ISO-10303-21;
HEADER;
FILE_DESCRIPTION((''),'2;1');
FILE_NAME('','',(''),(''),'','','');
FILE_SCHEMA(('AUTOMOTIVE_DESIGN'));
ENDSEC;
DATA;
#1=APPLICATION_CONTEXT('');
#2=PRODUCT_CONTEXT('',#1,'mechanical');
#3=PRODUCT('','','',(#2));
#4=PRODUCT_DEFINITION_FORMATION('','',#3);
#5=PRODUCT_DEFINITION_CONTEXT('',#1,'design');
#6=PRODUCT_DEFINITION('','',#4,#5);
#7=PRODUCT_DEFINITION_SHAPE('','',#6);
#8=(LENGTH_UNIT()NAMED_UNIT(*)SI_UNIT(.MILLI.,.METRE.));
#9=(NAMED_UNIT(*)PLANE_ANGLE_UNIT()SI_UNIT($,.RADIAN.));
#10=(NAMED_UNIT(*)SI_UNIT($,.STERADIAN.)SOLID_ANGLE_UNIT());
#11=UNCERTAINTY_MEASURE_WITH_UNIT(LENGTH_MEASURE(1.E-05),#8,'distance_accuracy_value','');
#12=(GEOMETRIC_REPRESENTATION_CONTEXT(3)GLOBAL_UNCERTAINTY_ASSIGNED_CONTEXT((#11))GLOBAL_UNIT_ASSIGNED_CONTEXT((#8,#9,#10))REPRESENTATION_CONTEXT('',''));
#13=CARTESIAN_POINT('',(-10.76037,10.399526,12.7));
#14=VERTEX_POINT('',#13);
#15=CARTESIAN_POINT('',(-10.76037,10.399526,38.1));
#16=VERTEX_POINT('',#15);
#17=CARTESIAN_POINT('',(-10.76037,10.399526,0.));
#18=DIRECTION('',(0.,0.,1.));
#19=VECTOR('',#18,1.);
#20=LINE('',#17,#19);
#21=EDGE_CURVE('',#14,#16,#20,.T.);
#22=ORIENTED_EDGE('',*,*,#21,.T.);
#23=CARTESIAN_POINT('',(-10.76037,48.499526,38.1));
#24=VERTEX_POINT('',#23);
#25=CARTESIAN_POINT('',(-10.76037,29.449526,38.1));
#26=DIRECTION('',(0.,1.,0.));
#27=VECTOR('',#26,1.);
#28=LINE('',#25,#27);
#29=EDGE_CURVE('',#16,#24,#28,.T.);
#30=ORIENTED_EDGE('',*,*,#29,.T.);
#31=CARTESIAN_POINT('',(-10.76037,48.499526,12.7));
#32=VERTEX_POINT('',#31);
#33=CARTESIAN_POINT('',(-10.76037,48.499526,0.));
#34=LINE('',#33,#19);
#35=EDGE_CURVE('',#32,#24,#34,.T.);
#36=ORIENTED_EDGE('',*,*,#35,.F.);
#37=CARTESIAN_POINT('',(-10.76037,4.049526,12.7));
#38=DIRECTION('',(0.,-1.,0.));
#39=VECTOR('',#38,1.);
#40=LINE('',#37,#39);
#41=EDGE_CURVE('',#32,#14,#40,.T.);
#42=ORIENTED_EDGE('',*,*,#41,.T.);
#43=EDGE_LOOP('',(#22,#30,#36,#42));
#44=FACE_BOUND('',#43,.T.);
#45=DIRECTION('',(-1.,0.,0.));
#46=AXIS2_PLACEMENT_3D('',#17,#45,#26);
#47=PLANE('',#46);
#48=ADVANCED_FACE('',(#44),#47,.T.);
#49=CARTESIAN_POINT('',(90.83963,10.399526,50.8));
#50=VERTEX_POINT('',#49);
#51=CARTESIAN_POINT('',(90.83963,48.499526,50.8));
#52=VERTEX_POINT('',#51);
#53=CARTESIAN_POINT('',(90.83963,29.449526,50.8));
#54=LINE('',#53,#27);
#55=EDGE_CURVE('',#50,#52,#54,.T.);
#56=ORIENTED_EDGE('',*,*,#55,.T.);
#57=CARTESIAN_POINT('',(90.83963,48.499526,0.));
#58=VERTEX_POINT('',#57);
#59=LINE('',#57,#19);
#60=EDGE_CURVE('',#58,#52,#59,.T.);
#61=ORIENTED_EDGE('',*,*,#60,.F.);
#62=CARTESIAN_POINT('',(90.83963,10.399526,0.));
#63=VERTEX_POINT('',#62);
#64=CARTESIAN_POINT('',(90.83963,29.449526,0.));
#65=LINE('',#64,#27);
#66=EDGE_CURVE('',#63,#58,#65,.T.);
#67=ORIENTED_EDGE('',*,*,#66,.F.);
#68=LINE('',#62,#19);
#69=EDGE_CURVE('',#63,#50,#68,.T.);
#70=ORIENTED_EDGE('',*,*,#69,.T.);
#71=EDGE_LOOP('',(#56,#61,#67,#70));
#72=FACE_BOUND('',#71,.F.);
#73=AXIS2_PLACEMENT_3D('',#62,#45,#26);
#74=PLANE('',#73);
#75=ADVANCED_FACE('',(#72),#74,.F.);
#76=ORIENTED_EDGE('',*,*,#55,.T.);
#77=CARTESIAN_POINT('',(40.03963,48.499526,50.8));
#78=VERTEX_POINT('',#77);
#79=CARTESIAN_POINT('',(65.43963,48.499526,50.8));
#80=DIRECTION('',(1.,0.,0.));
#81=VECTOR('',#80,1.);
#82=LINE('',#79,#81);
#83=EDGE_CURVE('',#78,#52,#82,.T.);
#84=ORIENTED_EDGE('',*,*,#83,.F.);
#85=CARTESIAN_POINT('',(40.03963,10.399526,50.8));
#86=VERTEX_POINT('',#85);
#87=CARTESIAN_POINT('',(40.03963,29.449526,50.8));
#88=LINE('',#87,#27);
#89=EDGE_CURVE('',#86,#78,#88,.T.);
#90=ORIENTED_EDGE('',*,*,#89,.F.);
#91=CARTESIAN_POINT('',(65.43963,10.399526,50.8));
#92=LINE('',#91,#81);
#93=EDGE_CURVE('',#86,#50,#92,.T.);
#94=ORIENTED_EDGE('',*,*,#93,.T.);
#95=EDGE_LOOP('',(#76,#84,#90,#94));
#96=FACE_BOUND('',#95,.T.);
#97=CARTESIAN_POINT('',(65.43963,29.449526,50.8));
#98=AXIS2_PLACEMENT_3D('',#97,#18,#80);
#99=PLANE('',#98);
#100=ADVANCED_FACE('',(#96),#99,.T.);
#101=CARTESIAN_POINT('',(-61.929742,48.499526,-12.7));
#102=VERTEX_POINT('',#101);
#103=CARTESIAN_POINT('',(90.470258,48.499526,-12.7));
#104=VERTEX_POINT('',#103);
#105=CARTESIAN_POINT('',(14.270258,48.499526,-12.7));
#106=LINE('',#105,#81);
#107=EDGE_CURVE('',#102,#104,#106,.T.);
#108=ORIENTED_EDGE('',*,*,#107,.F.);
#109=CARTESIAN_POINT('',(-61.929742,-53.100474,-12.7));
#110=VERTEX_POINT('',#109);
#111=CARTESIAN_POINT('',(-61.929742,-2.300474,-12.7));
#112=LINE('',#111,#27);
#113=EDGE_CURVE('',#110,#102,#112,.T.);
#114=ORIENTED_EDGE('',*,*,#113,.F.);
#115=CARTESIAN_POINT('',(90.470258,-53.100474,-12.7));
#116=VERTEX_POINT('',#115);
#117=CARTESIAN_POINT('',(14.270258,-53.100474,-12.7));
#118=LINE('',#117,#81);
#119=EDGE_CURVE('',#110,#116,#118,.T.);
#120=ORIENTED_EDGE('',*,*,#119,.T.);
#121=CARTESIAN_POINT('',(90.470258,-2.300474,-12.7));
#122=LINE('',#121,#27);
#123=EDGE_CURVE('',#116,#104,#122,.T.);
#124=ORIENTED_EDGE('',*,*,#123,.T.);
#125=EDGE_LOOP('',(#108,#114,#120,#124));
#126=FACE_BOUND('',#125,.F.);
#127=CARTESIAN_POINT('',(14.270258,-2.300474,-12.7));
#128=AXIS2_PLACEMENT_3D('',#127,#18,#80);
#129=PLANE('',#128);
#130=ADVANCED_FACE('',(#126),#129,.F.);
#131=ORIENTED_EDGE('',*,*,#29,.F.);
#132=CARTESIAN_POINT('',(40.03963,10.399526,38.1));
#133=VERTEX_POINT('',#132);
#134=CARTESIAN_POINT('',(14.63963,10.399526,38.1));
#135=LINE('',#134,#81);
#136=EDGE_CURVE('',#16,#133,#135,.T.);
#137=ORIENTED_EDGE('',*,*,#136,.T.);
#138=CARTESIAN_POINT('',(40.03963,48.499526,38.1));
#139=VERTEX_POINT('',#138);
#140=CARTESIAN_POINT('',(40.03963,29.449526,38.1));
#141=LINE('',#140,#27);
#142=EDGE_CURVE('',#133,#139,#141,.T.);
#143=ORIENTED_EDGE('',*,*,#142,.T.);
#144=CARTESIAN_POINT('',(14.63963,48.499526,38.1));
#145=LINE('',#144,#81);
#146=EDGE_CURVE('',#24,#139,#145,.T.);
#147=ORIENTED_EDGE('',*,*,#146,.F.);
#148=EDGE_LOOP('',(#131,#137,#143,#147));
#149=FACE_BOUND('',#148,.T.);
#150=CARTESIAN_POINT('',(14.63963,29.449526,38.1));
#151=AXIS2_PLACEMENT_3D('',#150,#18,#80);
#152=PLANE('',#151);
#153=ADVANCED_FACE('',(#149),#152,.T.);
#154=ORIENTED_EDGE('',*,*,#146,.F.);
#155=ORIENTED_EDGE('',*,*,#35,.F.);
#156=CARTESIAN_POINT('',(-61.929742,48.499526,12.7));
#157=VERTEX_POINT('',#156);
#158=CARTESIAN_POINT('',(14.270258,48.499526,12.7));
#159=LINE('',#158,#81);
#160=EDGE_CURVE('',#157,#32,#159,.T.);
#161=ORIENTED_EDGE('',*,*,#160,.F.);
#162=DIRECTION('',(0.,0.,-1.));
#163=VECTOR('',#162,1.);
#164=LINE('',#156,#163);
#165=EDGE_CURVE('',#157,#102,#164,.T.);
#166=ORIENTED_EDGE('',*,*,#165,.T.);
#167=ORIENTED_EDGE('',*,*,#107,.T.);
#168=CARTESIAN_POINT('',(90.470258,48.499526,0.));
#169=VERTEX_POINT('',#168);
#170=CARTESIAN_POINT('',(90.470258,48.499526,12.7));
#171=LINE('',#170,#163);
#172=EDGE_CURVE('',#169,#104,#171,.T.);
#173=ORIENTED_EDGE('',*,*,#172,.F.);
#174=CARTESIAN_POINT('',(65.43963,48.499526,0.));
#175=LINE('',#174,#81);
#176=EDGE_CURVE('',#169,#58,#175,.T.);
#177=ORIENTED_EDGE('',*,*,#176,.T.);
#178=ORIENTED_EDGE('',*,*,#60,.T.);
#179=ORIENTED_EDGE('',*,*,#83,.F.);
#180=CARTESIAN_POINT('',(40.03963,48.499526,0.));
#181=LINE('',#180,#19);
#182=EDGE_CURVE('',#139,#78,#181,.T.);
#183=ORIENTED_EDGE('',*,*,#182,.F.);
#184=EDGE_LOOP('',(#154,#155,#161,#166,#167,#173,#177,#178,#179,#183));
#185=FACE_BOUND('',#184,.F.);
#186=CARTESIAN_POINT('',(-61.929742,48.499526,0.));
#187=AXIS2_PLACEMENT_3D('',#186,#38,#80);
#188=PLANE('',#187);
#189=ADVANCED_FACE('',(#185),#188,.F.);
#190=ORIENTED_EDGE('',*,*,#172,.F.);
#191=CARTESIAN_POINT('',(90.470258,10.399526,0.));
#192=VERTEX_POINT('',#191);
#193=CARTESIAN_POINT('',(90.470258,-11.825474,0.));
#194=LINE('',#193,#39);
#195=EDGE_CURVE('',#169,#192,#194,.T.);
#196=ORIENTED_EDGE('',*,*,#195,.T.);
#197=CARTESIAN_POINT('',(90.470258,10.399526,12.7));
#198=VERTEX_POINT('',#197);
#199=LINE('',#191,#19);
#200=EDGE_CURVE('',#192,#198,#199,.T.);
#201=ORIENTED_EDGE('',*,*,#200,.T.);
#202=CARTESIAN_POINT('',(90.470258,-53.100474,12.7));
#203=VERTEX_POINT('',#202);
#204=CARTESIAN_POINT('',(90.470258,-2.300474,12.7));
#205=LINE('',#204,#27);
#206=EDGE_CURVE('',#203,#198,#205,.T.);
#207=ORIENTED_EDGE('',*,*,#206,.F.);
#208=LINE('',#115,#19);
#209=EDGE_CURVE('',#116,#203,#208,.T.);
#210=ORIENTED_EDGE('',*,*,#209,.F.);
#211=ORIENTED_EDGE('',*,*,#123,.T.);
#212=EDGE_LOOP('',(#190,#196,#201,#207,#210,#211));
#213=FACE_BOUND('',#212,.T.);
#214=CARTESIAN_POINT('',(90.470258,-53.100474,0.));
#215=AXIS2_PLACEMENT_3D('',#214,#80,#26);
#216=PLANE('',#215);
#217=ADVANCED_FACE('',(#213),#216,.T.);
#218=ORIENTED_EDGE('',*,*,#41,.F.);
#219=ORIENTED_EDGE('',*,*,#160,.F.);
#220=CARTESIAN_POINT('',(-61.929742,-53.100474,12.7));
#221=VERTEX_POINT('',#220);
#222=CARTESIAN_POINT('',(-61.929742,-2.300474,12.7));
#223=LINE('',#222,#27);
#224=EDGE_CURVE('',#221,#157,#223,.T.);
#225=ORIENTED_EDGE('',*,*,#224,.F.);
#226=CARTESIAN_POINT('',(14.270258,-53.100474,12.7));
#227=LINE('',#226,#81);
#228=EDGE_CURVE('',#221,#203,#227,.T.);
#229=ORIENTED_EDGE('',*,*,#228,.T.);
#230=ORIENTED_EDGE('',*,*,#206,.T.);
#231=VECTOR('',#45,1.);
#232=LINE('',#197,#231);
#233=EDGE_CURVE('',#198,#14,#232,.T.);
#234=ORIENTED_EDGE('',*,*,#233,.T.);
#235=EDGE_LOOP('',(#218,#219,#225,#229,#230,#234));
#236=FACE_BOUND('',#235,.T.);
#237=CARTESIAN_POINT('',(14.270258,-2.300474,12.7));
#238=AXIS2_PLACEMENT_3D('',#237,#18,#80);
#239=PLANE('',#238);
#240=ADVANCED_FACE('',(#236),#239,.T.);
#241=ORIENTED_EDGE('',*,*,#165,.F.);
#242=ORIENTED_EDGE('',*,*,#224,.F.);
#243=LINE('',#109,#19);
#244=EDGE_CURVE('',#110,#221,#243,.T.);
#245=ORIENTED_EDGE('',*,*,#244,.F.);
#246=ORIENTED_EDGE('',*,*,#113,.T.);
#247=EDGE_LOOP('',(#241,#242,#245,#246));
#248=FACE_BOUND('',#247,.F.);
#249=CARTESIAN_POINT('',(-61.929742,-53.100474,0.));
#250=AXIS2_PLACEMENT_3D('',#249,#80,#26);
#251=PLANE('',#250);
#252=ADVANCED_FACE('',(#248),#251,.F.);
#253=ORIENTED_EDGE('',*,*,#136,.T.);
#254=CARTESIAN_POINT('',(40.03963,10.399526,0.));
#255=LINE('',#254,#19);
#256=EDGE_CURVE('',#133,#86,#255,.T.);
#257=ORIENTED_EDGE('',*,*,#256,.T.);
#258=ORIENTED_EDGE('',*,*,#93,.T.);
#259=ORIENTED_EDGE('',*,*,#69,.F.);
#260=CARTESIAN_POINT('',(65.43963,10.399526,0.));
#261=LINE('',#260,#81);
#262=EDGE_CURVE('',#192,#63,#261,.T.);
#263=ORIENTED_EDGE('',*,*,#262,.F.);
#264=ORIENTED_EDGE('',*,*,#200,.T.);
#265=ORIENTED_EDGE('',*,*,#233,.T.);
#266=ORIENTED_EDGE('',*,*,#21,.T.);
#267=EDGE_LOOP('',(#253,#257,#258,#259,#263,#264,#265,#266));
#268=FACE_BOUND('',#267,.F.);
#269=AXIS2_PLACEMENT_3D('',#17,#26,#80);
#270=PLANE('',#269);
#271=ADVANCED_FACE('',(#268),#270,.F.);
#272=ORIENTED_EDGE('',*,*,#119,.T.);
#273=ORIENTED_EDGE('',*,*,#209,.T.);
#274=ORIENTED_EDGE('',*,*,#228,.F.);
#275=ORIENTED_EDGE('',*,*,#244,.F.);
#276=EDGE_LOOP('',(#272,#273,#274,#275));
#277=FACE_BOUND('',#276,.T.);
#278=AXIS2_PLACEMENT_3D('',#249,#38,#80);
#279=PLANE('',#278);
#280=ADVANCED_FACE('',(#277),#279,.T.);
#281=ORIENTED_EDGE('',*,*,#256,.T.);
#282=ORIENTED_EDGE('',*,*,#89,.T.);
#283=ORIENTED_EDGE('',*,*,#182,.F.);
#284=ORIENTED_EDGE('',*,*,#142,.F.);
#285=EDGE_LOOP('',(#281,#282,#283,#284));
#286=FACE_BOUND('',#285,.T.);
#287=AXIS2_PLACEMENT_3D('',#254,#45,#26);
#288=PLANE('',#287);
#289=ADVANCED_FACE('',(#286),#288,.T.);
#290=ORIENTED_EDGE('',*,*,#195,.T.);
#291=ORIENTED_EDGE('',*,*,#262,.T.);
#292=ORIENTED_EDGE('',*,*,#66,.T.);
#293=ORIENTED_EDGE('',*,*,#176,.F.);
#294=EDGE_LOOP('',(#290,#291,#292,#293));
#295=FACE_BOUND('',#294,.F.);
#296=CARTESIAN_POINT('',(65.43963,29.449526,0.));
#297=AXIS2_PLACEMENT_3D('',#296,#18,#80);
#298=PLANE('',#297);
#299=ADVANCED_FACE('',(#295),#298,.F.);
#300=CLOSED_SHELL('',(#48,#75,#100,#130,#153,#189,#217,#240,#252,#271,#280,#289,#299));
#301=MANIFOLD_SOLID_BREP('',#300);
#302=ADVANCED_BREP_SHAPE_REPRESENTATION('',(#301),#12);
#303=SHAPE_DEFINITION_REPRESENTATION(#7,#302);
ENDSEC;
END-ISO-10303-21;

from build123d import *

# Parameters (mm, degrees)
F0_W     = 152.4
F0_H     = 101.6
F1_DEPTH = 12.7
F2_W     = 50.8
F2_H     = 38.1
F3_DEPTH = 50.8
F4_DEPTH = 38.1


with BuildPart() as f1:
    # F0 (on Top) → F1 (new body, symmetric)
    with BuildSketch(Plane.XY):
        with Locations((14.2702582896, -2.3004743776)):
            Rectangle(F0_W, F0_H)
    extrude(amount=F1_DEPTH, both=True)

    # F2 (on Top) → F3 (join)
    with BuildSketch(Plane.XY):
        with Locations((65.439629665, 29.4495256224)):
            Rectangle(F2_W, F2_H)
    extrude(amount=F3_DEPTH)

    # F2 (on Top) → F4 (join)
    with BuildSketch(Plane.XY):
        with Locations((14.639629665, 29.4495256224)):
            Rectangle(F2_W, F2_H)
    extrude(amount=F4_DEPTH)


solid = f1.part
